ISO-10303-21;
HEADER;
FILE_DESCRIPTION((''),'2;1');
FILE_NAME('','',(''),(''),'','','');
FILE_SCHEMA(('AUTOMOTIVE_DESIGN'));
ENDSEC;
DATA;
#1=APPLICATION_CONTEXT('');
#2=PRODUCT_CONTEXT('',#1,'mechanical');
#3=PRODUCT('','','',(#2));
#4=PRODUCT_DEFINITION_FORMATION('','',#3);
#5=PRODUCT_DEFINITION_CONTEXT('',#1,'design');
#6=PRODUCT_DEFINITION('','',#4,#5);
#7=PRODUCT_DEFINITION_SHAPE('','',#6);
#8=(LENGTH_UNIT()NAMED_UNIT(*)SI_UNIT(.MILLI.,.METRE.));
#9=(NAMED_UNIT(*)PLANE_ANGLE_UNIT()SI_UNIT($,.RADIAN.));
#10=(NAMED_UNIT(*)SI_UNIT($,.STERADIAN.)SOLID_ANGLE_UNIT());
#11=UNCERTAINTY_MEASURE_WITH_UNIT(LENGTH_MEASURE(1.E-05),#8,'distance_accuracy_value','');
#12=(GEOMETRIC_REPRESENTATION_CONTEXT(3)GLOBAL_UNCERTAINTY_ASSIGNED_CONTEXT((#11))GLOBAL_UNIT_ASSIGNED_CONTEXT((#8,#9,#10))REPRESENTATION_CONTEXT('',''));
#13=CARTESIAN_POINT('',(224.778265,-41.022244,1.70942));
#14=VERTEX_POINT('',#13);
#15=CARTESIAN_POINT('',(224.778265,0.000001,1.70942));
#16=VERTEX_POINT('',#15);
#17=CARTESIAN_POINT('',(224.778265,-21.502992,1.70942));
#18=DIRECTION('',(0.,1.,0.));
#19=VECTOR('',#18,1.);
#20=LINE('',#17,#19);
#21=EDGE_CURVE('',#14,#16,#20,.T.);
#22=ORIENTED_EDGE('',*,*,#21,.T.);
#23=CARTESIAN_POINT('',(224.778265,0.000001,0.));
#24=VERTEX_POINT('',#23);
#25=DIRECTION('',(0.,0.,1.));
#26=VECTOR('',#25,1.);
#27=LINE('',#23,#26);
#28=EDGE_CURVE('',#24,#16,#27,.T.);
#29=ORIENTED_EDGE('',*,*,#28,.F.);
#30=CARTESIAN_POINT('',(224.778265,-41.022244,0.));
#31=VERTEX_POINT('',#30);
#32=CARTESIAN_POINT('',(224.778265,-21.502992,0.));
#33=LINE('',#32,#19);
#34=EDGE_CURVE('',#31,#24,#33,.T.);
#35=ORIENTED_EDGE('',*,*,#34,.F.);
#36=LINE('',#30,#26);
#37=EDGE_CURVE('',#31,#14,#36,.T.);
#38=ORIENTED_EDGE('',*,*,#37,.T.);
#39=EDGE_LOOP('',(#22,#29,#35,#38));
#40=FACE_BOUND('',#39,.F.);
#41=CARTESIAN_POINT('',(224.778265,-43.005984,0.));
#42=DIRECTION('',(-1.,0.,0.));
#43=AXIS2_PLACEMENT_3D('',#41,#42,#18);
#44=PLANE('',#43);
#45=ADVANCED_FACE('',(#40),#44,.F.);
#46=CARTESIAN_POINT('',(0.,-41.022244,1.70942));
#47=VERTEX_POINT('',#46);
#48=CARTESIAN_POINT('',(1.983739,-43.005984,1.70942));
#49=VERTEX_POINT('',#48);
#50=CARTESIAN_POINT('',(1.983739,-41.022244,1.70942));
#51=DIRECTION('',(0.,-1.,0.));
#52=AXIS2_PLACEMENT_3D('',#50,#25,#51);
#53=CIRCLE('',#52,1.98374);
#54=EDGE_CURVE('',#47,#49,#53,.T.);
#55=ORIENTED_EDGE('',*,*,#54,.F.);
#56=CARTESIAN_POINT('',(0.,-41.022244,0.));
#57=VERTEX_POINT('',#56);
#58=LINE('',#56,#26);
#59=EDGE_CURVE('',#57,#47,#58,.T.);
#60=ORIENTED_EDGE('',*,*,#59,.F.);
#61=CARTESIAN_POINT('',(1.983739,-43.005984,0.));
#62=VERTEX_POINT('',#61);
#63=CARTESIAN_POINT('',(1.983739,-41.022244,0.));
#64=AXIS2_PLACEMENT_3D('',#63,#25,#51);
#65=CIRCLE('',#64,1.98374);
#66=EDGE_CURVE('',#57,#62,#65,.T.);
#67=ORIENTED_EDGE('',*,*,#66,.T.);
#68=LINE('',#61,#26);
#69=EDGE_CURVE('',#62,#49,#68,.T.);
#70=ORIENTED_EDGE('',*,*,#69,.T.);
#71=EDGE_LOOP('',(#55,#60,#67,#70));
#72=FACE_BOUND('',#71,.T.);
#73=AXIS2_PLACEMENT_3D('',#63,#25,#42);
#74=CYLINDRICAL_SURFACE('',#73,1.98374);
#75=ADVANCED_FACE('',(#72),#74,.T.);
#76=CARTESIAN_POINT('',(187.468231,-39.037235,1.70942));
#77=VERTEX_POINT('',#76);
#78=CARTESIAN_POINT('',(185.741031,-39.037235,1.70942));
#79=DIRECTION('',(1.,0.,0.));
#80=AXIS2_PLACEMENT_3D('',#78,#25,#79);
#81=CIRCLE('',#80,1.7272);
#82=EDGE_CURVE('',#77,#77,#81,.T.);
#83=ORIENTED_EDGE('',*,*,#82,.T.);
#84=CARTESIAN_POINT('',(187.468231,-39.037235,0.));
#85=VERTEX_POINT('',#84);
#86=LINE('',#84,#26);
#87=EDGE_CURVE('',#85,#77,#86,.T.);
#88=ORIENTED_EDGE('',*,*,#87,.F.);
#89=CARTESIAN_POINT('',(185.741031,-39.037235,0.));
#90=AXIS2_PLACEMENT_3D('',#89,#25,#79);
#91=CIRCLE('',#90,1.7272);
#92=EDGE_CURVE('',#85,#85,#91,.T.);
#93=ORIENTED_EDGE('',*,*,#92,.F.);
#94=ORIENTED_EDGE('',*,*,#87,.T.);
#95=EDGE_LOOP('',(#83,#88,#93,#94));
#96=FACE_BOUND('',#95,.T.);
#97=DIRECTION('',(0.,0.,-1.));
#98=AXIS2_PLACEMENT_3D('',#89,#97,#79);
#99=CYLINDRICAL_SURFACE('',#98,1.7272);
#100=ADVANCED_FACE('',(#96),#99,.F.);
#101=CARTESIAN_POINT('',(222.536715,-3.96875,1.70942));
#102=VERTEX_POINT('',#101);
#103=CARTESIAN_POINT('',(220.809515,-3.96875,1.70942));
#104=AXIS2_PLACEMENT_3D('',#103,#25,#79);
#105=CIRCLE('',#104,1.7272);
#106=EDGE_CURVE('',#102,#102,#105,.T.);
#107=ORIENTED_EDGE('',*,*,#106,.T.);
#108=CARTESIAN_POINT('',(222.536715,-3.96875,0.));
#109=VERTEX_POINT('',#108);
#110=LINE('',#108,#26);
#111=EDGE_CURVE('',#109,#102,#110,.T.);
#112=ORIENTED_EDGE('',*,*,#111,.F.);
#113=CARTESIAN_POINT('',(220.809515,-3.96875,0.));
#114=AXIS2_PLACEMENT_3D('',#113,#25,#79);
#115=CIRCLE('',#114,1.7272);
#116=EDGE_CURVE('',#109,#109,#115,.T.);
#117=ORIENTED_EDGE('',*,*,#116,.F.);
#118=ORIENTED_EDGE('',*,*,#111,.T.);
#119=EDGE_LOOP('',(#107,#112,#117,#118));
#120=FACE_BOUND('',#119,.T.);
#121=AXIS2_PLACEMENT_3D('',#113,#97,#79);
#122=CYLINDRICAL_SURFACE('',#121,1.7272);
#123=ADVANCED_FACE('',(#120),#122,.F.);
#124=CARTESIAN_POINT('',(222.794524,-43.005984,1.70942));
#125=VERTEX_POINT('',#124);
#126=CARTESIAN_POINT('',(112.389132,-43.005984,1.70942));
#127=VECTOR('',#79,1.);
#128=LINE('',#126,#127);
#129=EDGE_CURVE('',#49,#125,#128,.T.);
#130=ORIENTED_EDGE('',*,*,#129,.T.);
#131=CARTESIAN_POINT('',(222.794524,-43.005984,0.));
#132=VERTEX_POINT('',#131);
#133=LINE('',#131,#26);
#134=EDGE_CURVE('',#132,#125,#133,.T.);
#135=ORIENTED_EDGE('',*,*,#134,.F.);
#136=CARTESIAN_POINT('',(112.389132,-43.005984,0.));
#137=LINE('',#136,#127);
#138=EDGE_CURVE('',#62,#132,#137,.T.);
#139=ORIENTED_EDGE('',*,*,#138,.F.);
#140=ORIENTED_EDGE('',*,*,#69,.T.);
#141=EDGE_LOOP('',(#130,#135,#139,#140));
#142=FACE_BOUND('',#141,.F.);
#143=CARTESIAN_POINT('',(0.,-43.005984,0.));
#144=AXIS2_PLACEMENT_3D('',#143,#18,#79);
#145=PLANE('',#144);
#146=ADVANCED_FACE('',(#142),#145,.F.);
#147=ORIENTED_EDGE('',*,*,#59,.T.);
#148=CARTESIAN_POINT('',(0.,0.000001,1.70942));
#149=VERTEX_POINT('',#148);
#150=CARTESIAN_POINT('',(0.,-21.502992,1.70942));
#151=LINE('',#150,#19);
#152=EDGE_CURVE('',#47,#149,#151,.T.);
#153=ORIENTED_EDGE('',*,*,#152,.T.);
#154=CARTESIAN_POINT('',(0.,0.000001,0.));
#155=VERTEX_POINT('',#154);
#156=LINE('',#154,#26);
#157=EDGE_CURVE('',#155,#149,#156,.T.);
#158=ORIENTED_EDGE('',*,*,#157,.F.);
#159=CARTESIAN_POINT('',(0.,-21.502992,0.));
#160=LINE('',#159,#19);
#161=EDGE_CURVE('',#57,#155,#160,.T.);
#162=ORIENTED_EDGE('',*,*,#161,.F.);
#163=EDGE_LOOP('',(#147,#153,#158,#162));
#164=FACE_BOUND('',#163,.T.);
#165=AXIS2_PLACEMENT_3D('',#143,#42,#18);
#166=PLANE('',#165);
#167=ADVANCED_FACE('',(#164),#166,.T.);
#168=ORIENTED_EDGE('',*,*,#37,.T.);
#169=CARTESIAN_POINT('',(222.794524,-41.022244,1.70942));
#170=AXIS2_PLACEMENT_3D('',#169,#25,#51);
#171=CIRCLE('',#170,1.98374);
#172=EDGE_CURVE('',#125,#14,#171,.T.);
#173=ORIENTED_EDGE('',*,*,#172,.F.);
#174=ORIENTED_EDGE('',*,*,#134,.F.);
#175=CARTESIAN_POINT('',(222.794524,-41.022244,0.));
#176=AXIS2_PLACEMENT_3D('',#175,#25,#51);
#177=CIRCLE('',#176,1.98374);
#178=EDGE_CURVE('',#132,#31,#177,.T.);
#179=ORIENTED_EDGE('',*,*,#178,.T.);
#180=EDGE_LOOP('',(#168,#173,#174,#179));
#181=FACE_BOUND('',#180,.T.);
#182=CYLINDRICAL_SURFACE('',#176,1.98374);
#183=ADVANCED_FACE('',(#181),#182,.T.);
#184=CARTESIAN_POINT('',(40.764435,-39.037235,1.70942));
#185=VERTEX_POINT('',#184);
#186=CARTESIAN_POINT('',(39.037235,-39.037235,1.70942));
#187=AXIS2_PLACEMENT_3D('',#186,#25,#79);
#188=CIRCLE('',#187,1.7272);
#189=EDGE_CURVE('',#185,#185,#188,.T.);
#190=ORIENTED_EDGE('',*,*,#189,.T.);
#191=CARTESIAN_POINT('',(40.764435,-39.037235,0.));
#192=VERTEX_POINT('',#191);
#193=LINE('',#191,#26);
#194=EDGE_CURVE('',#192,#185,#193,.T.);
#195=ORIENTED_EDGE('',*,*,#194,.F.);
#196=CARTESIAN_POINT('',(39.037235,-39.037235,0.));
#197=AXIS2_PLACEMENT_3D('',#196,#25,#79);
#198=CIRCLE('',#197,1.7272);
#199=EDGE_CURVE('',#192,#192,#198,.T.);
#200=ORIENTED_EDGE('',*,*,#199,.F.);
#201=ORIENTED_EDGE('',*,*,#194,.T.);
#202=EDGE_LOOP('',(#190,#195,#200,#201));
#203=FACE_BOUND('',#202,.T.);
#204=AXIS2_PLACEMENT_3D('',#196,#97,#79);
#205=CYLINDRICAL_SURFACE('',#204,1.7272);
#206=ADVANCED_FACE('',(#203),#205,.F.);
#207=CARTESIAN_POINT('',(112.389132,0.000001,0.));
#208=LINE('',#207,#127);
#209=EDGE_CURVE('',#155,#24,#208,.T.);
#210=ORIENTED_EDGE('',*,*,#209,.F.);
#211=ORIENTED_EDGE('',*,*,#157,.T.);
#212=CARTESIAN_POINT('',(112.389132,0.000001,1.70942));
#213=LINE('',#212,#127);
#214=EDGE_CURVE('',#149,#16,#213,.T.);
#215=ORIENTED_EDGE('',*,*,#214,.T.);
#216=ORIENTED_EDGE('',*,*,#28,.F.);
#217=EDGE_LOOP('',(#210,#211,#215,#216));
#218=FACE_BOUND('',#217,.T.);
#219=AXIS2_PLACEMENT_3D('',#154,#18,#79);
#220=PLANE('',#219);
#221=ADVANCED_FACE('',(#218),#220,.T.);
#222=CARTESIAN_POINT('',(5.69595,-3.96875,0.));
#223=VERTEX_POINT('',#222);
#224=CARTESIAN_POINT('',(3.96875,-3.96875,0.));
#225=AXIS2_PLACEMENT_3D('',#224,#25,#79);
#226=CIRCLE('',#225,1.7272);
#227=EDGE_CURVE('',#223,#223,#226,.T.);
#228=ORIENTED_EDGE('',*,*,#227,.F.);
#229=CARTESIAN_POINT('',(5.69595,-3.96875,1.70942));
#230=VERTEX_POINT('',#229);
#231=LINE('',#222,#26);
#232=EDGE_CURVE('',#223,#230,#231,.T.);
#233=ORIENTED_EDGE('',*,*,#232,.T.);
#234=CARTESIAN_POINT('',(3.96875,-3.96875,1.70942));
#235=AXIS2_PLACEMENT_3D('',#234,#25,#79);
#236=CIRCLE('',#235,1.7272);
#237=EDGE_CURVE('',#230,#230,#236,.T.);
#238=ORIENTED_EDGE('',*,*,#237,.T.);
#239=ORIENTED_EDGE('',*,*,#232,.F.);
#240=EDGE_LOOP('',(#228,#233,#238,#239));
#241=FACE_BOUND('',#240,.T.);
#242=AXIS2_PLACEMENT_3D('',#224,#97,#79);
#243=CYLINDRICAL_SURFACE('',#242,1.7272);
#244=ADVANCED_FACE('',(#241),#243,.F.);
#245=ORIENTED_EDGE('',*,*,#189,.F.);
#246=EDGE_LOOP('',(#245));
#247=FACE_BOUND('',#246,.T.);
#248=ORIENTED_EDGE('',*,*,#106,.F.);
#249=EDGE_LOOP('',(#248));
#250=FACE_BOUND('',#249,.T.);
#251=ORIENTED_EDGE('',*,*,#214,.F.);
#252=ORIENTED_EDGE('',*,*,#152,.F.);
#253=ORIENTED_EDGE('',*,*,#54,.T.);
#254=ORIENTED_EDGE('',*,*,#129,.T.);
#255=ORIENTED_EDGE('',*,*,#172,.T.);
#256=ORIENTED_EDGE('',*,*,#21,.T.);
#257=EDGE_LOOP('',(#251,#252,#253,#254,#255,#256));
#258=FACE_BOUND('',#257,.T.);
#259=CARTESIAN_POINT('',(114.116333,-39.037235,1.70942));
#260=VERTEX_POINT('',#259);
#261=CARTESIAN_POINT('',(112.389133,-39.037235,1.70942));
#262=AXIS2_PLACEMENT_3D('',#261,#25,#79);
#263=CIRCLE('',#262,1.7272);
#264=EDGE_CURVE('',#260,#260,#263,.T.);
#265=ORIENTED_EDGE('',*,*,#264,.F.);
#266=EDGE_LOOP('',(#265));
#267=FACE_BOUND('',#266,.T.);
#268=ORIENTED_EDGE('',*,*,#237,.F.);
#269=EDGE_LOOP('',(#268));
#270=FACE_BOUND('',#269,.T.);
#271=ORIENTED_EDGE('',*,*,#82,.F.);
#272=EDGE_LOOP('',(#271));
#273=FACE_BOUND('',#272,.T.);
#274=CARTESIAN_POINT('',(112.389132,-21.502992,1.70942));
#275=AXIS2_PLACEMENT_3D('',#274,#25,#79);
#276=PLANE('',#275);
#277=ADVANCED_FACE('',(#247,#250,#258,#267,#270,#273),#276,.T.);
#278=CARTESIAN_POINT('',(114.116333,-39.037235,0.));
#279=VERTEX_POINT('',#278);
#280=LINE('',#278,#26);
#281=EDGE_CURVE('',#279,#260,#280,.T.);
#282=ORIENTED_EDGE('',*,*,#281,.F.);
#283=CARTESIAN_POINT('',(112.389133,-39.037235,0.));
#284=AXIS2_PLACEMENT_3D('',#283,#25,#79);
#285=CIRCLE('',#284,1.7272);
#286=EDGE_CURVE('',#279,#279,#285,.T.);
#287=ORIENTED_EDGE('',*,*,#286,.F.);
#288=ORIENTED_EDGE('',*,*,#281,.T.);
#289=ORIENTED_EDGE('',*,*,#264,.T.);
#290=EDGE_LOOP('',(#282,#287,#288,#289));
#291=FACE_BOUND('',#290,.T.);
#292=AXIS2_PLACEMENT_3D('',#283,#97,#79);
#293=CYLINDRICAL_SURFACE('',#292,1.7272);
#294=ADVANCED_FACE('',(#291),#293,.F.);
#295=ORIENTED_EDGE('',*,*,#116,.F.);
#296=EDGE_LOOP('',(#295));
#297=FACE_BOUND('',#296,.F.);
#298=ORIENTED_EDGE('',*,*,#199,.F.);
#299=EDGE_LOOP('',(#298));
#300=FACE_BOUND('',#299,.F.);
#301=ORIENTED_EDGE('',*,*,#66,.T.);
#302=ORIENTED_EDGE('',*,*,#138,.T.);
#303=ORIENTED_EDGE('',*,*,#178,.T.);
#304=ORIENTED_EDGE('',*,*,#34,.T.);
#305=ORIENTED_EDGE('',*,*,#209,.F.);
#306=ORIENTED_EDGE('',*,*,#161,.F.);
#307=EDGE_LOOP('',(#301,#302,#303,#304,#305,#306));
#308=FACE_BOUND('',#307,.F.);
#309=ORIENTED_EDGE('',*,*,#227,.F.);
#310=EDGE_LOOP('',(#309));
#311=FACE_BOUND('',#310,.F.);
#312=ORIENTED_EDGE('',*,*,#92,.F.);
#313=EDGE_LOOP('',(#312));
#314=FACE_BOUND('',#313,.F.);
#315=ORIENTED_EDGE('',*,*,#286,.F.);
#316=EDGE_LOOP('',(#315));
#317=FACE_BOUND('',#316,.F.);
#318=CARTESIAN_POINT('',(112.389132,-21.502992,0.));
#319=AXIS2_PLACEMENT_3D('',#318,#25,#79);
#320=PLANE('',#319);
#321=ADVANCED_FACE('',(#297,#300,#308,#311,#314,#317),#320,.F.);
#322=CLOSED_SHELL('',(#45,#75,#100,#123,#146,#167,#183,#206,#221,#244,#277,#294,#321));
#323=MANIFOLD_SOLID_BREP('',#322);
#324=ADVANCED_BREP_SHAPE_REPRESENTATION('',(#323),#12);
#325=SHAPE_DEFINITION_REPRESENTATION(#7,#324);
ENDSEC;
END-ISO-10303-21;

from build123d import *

# Parameters (mm, degrees)
F0_W     = 224.778265
F0_H     = 43.005985
F0_R     = 1.7272
F1_DEPTH = 1.70942
F2_R     = 1.98374


with BuildPart() as f1:
    # F0 (on Top) → F1 (new body)
    with BuildSketch(Plane.XY):
        with Locations((112.389132, -21.502992)):
            Rectangle(F0_W, F0_H)
        with Locations((39.037235, -39.037235)):
            Circle(F0_R, mode=Mode.SUBTRACT)
        with Locations((112.389133, -39.037235)):
            Circle(F0_R, mode=Mode.SUBTRACT)
        with Locations((185.741031, -39.037235)):
            Circle(F0_R, mode=Mode.SUBTRACT)
        with Locations((3.96875, -3.96875)):
            Circle(F0_R, mode=Mode.SUBTRACT)
        with Locations((220.809515, -3.96875)):
            Circle(F0_R, mode=Mode.SUBTRACT)
    extrude(amount=F1_DEPTH)

    # F2
    f2_edges = [f1.edges().sort_by_distance(p)[0] for p in [
        (0, -43.005985, 0.85471),
        (224.778265, -43.005985, 0.85471),
    ]]
    fillet(f2_edges, radius=F2_R)


solid = f1.part
